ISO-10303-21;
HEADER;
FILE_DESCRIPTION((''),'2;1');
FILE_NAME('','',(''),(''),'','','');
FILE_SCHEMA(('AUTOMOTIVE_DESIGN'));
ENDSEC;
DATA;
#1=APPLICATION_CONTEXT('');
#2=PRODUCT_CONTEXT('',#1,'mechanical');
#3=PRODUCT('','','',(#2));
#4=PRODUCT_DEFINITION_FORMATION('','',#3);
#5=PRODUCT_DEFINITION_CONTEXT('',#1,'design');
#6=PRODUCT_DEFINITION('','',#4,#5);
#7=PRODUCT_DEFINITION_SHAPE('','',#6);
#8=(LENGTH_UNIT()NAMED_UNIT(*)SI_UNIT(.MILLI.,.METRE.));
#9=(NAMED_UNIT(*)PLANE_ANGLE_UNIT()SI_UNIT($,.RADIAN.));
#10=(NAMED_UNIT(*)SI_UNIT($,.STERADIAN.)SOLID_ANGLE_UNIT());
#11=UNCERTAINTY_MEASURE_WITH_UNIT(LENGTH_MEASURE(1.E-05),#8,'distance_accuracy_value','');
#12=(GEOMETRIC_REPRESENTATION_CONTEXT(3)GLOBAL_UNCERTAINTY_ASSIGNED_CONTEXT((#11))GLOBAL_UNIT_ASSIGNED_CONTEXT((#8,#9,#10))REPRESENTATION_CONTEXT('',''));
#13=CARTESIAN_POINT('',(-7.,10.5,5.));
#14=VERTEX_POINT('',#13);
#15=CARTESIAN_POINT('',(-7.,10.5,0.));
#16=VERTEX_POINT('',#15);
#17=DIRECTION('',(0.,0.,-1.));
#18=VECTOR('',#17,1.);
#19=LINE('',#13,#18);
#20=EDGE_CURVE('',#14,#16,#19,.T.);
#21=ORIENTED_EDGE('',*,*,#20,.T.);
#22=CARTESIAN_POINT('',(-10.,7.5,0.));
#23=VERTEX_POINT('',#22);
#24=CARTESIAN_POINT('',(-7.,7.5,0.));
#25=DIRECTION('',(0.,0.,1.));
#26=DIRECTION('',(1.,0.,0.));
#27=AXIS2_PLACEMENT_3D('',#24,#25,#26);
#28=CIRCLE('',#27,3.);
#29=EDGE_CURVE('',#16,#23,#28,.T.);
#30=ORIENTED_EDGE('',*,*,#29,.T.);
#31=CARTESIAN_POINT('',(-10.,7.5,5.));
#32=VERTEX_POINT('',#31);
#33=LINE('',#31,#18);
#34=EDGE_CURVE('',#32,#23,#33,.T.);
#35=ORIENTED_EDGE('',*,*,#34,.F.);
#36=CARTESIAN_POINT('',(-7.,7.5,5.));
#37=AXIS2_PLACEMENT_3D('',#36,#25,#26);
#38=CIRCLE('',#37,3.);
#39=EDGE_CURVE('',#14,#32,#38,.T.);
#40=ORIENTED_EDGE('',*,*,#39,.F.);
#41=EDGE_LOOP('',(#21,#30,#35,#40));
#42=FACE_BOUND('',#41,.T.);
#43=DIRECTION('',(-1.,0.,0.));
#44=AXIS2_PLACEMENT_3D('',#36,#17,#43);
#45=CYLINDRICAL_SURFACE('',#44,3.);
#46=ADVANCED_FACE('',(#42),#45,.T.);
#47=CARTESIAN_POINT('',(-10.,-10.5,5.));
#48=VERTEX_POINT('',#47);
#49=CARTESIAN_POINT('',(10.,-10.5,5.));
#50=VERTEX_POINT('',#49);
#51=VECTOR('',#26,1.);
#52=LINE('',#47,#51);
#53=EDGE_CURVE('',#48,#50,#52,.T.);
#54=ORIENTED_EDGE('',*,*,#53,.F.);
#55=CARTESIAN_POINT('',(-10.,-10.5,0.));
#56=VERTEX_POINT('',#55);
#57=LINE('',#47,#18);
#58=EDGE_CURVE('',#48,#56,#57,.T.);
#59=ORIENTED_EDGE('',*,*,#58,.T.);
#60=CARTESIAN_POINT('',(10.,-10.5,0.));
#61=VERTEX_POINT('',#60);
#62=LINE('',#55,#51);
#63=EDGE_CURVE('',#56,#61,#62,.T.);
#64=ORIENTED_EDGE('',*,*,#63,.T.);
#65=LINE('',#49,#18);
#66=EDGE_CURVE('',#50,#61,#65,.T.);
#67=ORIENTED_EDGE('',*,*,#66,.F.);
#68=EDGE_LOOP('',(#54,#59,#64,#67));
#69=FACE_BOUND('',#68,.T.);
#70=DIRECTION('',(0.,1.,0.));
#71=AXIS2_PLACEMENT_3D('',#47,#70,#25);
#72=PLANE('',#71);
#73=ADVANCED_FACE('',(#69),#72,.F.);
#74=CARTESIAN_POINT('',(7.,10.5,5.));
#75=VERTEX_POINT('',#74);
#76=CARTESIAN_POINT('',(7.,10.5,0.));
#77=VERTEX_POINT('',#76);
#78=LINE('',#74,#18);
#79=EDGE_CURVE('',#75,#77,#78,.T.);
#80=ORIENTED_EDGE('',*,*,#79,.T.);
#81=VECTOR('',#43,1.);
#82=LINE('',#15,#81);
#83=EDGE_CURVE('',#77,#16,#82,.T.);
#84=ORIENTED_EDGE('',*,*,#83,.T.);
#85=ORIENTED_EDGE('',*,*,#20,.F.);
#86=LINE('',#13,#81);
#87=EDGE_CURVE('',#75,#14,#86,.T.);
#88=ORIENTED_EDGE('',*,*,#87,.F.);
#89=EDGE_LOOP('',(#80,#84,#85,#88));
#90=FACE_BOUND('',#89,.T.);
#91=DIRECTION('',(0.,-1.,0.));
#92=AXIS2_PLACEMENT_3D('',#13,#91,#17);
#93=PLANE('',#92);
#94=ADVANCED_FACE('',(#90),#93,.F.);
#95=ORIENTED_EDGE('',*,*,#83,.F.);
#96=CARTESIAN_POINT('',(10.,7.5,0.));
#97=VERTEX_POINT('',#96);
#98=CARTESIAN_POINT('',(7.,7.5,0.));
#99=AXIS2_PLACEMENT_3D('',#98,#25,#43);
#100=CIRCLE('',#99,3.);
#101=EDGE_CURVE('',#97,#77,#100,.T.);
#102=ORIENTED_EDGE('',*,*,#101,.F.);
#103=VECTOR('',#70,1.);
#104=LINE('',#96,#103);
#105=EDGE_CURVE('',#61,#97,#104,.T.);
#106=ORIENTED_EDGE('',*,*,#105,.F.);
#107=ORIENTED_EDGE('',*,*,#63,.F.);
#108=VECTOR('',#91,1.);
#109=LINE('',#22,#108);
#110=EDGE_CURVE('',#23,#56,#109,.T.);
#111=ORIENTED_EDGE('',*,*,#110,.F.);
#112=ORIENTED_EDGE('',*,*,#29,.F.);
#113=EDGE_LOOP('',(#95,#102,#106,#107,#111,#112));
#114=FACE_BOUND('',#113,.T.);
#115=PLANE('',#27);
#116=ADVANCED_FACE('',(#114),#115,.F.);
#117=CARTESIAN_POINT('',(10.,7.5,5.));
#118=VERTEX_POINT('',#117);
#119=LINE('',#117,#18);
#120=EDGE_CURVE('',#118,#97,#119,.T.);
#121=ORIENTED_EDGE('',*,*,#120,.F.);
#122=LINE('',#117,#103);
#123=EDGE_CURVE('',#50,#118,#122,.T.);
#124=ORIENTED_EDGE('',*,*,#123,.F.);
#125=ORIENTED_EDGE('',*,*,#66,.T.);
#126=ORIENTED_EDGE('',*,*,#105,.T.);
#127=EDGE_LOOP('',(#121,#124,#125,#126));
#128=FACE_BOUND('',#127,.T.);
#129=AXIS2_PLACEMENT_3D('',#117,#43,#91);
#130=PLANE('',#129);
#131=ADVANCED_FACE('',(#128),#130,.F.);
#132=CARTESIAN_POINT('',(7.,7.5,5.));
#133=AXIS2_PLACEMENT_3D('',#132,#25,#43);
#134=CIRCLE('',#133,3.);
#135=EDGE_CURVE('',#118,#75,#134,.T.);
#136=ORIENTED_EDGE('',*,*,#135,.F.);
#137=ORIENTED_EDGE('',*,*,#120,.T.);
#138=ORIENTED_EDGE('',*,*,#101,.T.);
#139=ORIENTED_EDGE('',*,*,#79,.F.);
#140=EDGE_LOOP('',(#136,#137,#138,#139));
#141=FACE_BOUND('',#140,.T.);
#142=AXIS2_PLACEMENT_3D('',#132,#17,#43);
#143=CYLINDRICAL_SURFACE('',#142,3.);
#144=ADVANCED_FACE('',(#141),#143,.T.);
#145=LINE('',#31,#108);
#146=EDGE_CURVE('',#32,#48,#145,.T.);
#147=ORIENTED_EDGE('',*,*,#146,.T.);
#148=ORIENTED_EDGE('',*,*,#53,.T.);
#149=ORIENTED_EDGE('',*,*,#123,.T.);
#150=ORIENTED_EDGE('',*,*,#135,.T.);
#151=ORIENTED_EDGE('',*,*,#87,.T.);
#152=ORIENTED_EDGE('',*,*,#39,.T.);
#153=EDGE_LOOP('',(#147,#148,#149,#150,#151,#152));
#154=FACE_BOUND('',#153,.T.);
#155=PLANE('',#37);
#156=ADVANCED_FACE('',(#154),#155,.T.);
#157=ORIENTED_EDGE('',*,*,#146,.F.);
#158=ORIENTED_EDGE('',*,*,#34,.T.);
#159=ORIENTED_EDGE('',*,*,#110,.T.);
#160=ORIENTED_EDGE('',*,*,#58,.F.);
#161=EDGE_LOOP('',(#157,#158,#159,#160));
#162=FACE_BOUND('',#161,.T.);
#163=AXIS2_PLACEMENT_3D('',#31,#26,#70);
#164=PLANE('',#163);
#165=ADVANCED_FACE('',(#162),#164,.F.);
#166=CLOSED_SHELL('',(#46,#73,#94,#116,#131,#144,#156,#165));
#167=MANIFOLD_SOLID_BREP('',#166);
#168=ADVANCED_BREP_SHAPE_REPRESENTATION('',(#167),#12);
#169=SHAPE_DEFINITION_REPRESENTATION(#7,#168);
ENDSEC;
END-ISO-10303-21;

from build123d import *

# Parameters (mm, degrees)
EXTRUDE_1_DEPTH = 5


with BuildPart() as part:
    # 草圖1 → 填料-伸長1 (new body)
    with BuildSketch(Plane.XY):
        with BuildLine():
            Line((-7, 10.5), (7, 10.5))
            ThreePointArc((7, 10.5), (9.121320344, 9.621320344), (10, 7.5))
            Line((10, 7.5), (10, -10.5))
            Line((10, -10.5), (-10, -10.5))
            Line((-10, -10.5), (-10, 7.5))
            ThreePointArc((-10, 7.5), (-9.121320344, 9.621320344), (-7, 10.5))
        make_face()
    extrude(amount=EXTRUDE_1_DEPTH)


solid = part.part
